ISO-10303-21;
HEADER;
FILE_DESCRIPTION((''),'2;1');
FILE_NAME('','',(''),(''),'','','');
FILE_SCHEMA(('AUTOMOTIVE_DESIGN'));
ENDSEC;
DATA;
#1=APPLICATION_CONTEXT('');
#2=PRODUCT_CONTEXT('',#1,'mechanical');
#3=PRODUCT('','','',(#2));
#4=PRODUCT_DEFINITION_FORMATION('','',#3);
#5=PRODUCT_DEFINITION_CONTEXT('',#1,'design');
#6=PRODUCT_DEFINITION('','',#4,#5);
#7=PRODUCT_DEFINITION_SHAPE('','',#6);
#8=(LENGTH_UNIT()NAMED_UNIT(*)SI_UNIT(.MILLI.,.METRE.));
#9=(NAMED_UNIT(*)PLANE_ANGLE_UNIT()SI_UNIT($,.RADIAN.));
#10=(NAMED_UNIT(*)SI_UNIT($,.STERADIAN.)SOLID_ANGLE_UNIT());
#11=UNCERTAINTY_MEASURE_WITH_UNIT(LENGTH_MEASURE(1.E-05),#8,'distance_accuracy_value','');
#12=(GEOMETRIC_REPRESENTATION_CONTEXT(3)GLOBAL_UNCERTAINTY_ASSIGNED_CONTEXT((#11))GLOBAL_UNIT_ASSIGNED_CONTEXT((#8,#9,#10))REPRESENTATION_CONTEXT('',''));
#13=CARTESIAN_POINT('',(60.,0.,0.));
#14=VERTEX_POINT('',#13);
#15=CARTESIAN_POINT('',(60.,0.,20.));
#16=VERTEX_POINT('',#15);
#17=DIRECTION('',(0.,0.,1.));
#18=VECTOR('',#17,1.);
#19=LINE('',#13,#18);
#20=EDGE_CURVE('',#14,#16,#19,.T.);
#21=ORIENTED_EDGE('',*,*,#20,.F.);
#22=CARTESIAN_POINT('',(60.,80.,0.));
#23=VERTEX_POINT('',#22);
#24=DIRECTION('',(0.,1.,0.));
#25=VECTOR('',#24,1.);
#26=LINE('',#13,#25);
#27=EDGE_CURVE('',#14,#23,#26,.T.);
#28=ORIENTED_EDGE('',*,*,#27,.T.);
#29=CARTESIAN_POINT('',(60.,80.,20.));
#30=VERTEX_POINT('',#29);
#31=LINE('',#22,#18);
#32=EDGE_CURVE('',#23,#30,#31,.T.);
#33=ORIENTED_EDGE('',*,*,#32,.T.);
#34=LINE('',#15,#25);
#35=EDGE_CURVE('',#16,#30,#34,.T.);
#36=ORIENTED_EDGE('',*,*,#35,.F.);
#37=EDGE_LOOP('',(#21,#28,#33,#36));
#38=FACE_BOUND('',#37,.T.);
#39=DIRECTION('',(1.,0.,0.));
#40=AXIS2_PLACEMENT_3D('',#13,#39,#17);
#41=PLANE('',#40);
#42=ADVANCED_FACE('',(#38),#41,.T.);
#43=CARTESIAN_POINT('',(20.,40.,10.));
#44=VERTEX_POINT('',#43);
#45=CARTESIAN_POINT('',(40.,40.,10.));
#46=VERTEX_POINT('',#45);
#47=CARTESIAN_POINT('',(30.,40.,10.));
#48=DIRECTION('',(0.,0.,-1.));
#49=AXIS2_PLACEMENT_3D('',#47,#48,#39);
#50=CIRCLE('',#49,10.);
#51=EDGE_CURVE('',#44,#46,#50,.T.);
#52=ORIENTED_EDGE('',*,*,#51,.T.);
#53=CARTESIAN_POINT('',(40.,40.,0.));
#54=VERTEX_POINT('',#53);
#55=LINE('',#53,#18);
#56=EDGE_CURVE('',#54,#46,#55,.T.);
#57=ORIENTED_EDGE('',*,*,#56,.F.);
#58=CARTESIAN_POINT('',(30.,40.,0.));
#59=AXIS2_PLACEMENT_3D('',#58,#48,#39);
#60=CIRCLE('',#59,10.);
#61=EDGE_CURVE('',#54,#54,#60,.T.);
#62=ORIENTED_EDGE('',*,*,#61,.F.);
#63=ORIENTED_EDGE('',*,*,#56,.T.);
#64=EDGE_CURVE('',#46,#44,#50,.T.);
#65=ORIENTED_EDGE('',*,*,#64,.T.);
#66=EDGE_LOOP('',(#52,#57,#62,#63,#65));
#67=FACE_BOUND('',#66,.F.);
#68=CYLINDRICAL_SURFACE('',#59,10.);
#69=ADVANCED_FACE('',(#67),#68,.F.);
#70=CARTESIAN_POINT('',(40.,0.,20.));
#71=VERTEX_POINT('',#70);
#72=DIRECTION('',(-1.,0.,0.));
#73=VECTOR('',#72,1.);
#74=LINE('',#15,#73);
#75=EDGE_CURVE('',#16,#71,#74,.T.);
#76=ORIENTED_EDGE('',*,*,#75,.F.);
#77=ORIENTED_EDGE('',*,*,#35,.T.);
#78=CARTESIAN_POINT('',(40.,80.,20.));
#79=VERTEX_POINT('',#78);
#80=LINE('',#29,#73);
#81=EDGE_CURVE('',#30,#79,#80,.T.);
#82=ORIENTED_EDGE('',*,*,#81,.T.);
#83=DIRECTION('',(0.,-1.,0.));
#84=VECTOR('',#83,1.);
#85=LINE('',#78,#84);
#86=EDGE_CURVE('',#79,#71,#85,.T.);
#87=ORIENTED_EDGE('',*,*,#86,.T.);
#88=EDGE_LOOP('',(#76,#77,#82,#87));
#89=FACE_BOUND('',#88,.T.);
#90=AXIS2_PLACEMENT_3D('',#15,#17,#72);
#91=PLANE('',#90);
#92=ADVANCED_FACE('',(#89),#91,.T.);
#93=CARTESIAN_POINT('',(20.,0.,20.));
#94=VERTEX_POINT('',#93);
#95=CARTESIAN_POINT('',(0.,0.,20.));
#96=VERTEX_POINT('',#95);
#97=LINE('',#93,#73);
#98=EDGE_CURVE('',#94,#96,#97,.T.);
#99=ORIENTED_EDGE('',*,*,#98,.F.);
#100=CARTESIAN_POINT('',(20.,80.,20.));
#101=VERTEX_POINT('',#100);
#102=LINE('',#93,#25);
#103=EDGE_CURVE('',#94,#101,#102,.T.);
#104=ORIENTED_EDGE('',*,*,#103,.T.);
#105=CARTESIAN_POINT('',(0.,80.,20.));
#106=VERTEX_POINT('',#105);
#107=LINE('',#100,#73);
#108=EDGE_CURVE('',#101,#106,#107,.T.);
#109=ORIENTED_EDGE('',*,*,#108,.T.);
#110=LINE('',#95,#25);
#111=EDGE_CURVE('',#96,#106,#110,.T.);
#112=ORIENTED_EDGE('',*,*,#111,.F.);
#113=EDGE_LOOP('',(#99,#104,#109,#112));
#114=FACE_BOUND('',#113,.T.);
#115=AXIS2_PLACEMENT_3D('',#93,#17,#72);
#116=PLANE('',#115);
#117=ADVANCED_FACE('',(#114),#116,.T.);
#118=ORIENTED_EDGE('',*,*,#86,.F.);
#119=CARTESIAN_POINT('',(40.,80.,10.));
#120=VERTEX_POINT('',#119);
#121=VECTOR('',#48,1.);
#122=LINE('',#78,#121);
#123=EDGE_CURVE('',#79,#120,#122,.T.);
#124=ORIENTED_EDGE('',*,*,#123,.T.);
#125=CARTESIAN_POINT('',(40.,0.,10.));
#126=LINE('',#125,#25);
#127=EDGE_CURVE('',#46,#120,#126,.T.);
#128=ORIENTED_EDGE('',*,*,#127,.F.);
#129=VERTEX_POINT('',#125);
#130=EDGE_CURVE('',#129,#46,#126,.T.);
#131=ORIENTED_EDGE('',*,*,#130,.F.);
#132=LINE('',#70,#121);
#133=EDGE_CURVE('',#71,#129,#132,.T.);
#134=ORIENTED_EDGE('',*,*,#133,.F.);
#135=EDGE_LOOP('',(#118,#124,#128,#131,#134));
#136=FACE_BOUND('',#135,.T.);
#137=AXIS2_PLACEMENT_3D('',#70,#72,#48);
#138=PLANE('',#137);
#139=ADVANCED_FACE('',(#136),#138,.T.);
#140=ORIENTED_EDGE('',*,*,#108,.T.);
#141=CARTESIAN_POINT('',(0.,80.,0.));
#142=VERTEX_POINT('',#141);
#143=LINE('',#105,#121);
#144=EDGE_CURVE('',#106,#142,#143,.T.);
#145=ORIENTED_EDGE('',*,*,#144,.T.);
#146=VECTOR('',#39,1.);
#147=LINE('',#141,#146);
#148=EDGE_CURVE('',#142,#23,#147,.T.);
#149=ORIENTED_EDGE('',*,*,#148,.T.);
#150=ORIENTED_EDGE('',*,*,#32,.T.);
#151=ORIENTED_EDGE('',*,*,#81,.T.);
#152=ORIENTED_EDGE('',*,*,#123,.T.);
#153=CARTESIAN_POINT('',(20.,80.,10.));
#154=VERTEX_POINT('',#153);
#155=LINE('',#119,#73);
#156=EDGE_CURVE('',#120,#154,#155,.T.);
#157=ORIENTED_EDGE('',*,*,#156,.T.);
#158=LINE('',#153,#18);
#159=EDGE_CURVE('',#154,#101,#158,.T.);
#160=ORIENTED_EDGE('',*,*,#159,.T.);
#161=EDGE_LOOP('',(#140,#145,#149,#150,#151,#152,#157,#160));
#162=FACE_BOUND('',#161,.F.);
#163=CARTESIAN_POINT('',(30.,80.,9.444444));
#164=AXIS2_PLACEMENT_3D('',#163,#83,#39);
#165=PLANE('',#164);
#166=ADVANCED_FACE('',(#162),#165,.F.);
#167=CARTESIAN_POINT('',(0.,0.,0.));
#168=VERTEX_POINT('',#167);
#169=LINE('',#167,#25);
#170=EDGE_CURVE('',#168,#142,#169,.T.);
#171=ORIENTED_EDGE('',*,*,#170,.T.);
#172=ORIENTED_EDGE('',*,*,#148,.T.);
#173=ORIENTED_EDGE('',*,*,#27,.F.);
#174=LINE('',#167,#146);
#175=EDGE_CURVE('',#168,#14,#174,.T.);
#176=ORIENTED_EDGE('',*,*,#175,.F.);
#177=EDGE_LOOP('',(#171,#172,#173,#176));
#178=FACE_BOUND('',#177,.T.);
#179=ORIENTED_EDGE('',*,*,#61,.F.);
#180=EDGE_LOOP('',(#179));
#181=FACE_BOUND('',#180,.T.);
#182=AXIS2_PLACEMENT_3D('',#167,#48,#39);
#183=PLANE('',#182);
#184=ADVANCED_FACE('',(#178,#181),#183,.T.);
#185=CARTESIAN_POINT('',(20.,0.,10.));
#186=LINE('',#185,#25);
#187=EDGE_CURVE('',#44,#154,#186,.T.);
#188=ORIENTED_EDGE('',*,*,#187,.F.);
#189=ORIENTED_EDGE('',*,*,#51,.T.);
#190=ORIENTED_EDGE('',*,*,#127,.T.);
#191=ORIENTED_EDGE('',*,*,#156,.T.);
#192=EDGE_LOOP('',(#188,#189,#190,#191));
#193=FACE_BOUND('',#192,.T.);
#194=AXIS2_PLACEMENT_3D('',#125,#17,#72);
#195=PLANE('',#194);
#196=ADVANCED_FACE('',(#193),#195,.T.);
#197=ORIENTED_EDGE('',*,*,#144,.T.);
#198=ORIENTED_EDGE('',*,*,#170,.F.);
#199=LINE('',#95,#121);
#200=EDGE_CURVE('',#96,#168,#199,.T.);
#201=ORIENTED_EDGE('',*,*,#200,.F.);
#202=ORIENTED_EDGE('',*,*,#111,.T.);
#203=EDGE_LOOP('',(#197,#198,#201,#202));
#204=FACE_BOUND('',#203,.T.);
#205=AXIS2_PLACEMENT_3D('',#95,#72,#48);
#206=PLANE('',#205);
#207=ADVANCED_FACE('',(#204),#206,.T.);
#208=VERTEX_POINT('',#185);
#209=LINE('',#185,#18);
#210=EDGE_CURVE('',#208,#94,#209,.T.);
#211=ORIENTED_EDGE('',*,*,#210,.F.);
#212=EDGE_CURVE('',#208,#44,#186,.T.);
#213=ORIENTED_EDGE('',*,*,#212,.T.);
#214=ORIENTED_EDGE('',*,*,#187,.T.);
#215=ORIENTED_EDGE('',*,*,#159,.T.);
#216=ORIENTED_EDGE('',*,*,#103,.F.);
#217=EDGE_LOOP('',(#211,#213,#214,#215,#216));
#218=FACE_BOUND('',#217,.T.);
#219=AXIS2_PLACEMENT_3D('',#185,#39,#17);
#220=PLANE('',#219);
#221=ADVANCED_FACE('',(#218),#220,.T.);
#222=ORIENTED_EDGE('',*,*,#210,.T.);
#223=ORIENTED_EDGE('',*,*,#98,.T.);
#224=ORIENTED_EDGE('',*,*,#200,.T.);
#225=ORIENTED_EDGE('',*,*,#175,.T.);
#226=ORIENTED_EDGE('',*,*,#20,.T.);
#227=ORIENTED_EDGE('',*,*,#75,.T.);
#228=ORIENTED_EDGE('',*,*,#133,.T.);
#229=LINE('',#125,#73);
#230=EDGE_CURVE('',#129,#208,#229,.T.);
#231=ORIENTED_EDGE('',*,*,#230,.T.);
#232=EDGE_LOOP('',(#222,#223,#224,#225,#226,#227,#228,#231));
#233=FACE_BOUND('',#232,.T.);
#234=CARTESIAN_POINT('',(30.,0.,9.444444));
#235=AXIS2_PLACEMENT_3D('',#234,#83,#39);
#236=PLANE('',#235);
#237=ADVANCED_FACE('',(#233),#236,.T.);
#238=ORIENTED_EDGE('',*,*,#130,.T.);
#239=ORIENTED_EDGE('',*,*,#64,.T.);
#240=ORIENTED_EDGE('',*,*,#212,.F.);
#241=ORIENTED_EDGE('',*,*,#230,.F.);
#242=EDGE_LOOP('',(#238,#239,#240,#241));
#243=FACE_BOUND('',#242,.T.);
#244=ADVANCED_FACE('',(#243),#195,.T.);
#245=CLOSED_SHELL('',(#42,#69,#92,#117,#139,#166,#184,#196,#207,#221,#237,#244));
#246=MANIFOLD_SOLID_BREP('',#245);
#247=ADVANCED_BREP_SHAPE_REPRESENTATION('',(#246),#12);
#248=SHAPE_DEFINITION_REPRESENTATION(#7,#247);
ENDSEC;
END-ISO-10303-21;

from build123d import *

# Parameters (mm, degrees)
F1_DEPTH = 80
F2_R     = 10
F3_DEPTH = 20


with BuildPart() as f1:
    # F0 (on Front) → F1 (new body)
    with BuildSketch(Plane.XZ):
        Polygon((0, 20), (0, 0), (60, 0), (60, 20), (40, 20), (40, 10), (20, 10), (20, 20), align=None)
    extrude(amount=-F1_DEPTH)

    # F2 (on face) → F3 (cut)
    with BuildSketch(Plane(origin=(0, 0, 0), x_dir=(1, 0, 0), z_dir=(0, 0, -1))):
        with Locations((30, -40)):
            Circle(F2_R)
    extrude(amount=-F3_DEPTH, mode=Mode.SUBTRACT)


solid = f1.part
